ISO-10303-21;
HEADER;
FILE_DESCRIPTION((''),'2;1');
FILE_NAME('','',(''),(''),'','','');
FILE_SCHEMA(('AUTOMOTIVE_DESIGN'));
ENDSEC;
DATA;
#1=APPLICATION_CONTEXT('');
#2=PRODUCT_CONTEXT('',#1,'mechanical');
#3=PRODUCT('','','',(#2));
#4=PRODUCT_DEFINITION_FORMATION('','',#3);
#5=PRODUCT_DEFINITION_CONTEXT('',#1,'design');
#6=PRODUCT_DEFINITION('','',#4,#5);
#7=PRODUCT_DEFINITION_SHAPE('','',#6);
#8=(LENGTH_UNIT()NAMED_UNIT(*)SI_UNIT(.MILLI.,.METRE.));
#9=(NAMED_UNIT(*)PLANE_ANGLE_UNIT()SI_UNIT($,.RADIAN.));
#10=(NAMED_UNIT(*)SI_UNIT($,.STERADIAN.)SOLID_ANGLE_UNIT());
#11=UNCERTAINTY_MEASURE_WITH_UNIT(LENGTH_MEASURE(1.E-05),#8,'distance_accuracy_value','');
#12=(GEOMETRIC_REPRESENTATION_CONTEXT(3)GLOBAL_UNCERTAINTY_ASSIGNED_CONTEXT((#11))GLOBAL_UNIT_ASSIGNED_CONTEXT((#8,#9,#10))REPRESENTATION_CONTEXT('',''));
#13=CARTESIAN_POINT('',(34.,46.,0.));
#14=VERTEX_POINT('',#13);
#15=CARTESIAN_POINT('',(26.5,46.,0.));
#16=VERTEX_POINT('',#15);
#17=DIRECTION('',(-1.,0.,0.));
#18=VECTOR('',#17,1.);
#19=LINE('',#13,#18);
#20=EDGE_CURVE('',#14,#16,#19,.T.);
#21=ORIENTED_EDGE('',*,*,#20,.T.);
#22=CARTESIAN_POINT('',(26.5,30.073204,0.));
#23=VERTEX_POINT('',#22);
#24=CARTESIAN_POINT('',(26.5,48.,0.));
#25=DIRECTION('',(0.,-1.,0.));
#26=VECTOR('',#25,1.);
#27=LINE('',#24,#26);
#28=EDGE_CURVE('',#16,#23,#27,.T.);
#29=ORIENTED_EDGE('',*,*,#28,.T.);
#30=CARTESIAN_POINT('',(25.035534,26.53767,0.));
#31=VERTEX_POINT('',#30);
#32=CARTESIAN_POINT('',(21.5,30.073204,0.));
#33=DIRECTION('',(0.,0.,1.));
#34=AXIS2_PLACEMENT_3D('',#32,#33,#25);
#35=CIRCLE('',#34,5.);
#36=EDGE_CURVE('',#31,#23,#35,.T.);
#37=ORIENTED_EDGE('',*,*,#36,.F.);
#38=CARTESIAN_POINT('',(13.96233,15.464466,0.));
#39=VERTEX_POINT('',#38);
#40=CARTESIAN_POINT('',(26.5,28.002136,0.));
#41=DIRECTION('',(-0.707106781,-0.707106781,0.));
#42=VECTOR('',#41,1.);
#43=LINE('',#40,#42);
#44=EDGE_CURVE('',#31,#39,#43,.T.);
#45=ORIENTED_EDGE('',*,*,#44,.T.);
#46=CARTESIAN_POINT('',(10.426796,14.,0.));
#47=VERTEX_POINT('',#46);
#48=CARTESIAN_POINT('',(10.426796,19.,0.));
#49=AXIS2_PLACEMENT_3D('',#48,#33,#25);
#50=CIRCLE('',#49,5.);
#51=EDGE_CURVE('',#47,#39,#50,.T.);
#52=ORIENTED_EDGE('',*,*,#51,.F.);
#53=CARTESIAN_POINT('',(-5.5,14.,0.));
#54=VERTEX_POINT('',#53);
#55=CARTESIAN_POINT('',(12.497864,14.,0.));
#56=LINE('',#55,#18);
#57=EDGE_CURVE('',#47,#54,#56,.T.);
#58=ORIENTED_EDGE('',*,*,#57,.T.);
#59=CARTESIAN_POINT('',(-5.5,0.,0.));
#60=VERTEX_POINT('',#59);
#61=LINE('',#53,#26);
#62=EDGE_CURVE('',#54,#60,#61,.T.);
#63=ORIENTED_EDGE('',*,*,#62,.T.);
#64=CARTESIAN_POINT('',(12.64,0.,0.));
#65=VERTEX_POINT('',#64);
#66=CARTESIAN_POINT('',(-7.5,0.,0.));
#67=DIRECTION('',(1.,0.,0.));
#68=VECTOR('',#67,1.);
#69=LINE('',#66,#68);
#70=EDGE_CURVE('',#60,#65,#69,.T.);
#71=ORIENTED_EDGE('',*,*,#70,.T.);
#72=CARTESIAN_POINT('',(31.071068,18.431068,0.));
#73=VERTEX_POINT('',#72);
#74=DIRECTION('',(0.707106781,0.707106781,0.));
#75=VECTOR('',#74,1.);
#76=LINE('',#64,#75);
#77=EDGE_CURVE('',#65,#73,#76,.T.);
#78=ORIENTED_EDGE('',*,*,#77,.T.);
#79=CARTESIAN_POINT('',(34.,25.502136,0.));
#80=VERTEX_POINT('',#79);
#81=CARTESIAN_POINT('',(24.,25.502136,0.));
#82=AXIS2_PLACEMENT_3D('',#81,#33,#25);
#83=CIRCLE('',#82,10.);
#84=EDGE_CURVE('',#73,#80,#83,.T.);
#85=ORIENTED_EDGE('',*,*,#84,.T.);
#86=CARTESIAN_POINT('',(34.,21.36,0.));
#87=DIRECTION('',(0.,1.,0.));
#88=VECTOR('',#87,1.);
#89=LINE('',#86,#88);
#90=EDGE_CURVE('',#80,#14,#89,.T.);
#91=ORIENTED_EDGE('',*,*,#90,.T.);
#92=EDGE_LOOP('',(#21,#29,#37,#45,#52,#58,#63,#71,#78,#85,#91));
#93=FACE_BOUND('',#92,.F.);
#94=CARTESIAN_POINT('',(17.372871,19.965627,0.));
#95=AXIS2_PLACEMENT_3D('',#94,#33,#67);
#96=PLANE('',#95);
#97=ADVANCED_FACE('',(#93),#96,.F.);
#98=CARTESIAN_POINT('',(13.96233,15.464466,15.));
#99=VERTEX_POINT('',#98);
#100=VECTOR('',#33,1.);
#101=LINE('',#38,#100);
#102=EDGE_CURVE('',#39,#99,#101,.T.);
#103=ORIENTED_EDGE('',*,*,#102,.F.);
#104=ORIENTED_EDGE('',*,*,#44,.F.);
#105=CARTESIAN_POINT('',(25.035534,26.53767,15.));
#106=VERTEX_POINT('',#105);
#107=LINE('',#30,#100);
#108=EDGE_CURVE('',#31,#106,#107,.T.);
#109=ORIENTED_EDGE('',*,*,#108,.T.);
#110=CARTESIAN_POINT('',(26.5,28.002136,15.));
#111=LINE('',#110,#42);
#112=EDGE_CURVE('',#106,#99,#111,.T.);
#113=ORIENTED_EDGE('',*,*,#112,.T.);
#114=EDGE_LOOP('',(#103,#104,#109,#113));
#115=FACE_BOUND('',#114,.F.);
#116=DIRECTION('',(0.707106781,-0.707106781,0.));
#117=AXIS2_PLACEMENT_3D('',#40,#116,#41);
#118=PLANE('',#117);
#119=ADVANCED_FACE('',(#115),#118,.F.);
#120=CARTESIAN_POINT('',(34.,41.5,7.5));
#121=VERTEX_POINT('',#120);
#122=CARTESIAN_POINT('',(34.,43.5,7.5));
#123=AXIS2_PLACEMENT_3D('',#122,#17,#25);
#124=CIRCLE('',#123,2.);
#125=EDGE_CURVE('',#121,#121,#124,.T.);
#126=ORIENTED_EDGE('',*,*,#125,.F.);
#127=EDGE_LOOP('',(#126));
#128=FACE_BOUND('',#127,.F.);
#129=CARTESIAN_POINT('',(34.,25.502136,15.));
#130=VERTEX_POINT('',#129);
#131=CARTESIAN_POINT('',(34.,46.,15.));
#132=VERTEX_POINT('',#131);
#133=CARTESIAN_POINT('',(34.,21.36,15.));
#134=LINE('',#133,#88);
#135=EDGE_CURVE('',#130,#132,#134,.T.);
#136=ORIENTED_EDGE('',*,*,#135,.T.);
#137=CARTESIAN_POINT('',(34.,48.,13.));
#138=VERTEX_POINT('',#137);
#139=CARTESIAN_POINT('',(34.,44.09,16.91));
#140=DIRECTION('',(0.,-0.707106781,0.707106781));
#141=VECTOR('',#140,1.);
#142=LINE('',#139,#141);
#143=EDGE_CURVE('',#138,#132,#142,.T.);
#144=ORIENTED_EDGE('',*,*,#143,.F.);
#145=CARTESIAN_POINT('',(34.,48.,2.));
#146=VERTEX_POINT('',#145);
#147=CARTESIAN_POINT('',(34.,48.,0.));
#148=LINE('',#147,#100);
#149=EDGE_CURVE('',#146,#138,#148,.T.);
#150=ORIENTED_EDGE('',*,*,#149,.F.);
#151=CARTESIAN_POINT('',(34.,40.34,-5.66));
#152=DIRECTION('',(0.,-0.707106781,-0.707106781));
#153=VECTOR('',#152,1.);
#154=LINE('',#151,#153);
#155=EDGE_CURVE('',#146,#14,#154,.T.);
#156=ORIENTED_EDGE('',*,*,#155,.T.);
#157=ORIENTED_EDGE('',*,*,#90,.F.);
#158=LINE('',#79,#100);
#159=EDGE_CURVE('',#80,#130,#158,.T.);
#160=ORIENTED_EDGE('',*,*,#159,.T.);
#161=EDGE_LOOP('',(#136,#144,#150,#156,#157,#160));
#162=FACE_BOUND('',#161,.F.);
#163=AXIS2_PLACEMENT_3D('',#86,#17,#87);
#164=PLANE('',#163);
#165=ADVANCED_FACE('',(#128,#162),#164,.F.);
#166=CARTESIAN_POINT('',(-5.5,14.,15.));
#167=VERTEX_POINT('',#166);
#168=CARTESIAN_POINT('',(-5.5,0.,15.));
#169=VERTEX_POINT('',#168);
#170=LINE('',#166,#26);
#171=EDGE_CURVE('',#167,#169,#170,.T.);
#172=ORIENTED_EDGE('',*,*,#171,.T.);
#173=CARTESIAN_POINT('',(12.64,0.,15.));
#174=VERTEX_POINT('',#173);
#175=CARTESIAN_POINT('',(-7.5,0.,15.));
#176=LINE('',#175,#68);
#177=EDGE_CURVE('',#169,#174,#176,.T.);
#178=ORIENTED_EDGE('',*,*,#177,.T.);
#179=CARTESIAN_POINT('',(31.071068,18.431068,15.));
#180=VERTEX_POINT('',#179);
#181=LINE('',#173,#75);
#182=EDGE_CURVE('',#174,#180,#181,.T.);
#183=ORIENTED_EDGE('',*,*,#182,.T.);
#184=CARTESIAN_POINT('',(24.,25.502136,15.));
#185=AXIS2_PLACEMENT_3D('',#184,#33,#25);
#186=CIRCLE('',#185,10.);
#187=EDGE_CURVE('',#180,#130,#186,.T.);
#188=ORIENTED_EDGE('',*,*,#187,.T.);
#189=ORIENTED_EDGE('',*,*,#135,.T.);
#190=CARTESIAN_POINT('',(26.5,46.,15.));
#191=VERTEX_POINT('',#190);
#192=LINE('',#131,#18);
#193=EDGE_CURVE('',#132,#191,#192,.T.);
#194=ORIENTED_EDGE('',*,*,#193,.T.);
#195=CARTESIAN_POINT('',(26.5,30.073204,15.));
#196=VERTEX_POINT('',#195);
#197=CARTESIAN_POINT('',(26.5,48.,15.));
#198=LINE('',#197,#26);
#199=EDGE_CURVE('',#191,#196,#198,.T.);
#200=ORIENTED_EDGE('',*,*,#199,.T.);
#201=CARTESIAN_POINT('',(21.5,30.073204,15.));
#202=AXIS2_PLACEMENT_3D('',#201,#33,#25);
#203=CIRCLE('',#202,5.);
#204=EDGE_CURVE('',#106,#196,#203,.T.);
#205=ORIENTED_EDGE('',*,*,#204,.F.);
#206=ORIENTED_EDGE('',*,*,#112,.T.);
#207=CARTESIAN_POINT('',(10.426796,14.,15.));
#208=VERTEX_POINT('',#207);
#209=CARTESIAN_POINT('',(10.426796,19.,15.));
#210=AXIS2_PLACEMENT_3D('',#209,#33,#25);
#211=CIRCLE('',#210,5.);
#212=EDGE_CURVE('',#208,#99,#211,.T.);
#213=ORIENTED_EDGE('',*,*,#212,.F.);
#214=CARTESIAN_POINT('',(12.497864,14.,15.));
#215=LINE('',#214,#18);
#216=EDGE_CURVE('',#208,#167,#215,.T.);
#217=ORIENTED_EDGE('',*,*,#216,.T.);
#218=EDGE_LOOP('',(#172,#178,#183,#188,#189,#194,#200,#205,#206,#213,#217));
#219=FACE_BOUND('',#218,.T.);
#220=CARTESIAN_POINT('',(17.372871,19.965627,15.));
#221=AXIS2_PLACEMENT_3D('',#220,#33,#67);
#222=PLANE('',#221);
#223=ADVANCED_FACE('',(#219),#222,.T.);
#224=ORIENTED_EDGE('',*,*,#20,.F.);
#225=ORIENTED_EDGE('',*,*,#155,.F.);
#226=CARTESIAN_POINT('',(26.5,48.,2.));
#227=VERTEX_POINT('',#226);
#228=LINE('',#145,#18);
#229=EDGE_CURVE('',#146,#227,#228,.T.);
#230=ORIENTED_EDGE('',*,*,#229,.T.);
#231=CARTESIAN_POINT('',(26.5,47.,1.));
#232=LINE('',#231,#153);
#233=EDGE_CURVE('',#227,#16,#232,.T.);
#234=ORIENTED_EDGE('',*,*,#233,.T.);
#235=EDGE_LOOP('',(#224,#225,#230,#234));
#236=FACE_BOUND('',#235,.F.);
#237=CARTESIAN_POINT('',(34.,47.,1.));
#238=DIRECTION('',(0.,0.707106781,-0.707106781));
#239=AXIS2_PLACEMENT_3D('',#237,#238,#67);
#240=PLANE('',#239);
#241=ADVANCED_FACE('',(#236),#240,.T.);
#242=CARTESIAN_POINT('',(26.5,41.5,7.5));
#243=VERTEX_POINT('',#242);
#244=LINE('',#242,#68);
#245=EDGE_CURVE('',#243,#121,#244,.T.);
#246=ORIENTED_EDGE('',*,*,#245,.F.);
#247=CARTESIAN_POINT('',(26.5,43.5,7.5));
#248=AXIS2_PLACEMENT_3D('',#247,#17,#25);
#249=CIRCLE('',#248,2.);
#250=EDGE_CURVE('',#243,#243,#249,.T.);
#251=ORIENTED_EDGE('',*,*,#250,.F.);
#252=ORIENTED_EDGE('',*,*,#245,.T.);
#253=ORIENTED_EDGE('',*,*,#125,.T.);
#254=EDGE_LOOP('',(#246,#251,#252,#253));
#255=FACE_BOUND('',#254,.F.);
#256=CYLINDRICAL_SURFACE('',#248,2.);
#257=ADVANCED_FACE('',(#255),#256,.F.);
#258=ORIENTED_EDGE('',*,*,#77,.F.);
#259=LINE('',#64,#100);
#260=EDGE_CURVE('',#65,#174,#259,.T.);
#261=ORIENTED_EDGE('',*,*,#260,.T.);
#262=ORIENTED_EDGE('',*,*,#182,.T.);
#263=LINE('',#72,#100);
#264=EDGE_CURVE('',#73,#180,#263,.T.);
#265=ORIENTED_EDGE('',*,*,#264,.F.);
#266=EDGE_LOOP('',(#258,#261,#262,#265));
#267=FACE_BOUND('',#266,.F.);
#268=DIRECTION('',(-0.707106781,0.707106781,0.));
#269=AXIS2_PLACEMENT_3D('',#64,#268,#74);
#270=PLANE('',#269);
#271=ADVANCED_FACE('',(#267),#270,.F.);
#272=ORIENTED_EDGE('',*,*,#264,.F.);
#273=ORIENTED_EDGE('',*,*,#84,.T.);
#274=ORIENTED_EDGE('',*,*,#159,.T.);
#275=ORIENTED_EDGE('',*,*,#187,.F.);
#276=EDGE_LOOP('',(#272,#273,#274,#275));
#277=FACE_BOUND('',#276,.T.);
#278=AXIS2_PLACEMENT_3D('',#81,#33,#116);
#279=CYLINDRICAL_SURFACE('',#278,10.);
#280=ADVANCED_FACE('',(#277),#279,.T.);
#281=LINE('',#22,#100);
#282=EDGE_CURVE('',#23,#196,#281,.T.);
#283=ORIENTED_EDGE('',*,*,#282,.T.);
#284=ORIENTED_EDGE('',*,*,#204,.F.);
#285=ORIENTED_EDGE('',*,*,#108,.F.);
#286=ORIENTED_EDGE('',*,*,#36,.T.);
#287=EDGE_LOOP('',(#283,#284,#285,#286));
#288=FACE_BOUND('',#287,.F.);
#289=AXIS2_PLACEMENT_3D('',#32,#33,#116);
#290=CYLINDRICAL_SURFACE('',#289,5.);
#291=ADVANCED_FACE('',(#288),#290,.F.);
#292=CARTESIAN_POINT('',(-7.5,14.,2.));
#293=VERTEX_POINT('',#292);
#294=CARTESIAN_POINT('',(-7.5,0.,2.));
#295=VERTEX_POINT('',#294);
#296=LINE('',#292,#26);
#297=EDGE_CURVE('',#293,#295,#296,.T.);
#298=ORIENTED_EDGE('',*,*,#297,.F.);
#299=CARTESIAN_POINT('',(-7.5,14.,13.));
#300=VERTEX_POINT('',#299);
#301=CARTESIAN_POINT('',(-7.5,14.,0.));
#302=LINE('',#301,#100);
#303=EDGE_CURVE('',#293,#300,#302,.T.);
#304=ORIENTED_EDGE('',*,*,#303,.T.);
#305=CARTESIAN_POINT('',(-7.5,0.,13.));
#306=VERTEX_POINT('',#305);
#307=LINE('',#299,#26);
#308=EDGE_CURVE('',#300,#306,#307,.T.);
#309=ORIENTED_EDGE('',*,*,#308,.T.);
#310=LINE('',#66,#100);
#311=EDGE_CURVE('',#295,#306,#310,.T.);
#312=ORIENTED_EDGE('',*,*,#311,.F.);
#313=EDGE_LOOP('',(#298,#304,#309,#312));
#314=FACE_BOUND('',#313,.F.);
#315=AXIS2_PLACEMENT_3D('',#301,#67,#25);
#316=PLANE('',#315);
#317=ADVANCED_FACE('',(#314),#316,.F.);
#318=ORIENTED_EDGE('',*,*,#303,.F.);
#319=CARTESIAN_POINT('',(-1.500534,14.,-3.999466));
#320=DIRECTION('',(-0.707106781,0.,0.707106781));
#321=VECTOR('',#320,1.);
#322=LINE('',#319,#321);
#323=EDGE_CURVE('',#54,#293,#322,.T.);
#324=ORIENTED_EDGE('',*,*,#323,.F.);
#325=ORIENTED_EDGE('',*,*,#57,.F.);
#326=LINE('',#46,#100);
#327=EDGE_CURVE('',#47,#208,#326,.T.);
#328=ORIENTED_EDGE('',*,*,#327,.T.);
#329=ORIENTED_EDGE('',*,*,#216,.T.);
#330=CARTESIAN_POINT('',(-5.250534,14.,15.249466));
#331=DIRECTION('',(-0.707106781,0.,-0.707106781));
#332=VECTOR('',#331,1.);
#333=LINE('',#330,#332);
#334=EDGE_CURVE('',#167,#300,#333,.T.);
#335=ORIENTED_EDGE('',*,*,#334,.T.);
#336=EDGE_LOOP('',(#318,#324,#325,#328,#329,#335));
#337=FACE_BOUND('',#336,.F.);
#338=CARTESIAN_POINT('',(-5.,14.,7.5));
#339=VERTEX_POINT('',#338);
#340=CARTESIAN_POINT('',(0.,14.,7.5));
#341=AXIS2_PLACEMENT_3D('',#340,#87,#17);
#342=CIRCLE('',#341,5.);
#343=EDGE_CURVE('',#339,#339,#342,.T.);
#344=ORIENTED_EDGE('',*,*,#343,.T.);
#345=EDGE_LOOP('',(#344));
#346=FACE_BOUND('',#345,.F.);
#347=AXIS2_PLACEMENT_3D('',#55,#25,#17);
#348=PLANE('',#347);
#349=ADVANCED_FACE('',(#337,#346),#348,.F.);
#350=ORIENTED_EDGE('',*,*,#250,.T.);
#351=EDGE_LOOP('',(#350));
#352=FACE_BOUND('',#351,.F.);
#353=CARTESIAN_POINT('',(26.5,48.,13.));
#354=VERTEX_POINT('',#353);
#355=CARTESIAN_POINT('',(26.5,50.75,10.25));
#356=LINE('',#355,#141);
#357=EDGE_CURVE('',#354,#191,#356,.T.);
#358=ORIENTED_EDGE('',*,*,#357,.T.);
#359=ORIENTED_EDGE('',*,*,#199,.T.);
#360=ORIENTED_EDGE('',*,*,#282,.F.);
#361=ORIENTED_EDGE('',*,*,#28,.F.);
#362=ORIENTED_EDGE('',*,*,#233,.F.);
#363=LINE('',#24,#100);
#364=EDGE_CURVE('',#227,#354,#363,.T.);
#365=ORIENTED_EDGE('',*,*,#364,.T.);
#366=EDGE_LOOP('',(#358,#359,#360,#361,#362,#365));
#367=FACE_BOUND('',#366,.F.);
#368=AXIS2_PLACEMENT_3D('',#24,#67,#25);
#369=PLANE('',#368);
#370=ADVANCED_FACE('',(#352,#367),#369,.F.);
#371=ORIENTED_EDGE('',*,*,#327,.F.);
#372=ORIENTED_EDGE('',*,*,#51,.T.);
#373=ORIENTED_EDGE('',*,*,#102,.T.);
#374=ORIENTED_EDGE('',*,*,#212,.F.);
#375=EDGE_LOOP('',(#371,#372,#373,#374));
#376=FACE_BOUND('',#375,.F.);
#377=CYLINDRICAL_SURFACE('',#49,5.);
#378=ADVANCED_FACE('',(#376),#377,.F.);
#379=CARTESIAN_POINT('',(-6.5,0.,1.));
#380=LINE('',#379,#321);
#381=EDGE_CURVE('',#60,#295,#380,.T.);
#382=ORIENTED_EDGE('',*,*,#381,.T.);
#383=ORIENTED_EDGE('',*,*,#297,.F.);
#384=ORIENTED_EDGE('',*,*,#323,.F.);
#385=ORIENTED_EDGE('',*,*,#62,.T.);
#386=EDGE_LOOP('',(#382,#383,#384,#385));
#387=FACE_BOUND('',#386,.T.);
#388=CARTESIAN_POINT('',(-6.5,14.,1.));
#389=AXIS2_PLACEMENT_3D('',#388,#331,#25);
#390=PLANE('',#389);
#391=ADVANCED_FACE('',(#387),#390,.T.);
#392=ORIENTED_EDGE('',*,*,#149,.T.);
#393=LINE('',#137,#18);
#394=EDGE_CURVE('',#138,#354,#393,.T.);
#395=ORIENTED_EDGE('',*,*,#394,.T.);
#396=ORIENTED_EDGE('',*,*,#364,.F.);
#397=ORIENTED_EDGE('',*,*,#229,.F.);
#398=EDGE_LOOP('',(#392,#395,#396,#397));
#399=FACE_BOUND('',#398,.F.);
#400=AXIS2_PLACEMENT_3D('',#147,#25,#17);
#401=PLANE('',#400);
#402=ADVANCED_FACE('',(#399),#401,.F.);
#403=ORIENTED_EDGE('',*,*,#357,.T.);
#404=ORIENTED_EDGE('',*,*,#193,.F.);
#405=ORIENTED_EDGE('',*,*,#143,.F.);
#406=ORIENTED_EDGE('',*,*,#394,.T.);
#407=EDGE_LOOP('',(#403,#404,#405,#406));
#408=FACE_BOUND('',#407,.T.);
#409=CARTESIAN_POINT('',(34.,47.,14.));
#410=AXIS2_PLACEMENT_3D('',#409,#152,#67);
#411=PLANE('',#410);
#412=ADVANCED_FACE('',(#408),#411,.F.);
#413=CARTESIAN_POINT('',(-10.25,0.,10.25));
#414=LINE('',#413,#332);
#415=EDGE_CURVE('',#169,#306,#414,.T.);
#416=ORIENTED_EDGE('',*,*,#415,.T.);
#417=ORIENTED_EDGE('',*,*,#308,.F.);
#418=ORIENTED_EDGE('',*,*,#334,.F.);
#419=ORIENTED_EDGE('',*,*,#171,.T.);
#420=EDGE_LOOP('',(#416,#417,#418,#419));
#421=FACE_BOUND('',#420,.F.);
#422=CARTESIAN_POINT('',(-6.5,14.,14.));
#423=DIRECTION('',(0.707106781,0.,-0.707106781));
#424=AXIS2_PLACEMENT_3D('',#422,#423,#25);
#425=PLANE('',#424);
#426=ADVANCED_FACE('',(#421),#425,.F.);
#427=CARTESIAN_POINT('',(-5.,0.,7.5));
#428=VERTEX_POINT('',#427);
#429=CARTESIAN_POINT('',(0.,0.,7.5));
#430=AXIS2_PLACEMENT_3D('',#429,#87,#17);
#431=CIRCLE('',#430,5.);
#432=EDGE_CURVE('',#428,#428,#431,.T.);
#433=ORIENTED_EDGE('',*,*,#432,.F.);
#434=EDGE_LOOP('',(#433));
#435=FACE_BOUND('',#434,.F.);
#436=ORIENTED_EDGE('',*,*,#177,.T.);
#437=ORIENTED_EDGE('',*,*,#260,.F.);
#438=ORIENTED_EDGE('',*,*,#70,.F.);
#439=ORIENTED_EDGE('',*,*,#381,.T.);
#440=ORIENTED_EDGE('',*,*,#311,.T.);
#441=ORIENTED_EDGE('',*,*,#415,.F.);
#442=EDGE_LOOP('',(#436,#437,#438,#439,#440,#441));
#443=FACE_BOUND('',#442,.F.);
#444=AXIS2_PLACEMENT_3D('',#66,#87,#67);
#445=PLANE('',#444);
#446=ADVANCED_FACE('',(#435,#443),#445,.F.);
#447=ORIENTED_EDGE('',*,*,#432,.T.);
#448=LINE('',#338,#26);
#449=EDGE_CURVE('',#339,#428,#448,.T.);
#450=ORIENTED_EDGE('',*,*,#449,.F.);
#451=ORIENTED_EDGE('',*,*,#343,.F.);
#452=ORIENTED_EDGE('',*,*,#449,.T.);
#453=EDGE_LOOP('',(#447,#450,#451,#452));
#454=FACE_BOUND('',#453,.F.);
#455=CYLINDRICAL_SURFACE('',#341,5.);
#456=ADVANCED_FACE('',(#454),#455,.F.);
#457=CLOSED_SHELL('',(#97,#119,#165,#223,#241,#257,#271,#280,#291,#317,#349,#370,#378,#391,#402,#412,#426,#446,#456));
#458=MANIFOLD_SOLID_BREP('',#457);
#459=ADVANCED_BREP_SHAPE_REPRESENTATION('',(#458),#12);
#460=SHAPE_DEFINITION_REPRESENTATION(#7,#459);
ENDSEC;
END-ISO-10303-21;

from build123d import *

# Parameters (mm, degrees)
PAD_DEPTH       = 15
CHAMFER_SIZE    = 2
CHAMFER001_SIZE = 2
FILLET_R        = 5
FILLET001_R     = 10
SKETCH001_R     = 5
POCKET_DEPTH    = 14
SKETCH002_R     = 2
POCKET001_DEPTH = 7.5


with BuildPart() as part:
    # Sketch → Pad (new body)
    with BuildSketch(Plane.XY):
        Polygon((-7.5, 0), (12.64, 0), (34, 21.36), (34, 48), (26.5, 48), (26.5, 28.002136), (12.497864, 14), (-7.5, 14), align=None)
    extrude(amount=PAD_DEPTH)

    # Chamfer
    chamfer_edges = [part.edges().sort_by_distance(p)[0] for p in [
        (30.25, 48, 15),
        (30.25, 48, 0),
    ]]
    chamfer(chamfer_edges, length=CHAMFER_SIZE)

    # Chamfer001
    chamfer001_edges = [part.edges().sort_by_distance(p)[0] for p in [
        (-7.5, 7, 15),
        (-7.5, 7, 0),
    ]]
    chamfer(chamfer001_edges, length=CHAMFER001_SIZE)

    # Fillet
    fillet_edges = [part.edges().sort_by_distance(p)[0] for p in [
        (26.5, 28.002136, 7.5),
        (12.497864, 14, 7.5),
    ]]
    fillet(fillet_edges, radius=FILLET_R)

    # Fillet001
    fillet001_edges = [part.edges().sort_by_distance(p)[0] for p in [
        (34, 21.36, 7.5),
    ]]
    fillet(fillet001_edges, radius=FILLET001_R)

    # Sketch001 → Pocket (cut)
    with BuildSketch(Plane(origin=(0, 14, 0), x_dir=(-1, 0, 0), z_dir=(0, 1, 0))):
        with Locations((0, 7.5)):
            Circle(SKETCH001_R)
    extrude(amount=-POCKET_DEPTH, mode=Mode.SUBTRACT)

    # Sketch002 → Pocket001 (cut)
    with BuildSketch(Plane(origin=(26.5, 0, 0), x_dir=(0, -1, 0), z_dir=(-1, 0, 0))):
        with Locations((-43.5, 7.5)):
            Circle(SKETCH002_R)
    extrude(amount=-POCKET001_DEPTH, mode=Mode.SUBTRACT)


solid = part.part
